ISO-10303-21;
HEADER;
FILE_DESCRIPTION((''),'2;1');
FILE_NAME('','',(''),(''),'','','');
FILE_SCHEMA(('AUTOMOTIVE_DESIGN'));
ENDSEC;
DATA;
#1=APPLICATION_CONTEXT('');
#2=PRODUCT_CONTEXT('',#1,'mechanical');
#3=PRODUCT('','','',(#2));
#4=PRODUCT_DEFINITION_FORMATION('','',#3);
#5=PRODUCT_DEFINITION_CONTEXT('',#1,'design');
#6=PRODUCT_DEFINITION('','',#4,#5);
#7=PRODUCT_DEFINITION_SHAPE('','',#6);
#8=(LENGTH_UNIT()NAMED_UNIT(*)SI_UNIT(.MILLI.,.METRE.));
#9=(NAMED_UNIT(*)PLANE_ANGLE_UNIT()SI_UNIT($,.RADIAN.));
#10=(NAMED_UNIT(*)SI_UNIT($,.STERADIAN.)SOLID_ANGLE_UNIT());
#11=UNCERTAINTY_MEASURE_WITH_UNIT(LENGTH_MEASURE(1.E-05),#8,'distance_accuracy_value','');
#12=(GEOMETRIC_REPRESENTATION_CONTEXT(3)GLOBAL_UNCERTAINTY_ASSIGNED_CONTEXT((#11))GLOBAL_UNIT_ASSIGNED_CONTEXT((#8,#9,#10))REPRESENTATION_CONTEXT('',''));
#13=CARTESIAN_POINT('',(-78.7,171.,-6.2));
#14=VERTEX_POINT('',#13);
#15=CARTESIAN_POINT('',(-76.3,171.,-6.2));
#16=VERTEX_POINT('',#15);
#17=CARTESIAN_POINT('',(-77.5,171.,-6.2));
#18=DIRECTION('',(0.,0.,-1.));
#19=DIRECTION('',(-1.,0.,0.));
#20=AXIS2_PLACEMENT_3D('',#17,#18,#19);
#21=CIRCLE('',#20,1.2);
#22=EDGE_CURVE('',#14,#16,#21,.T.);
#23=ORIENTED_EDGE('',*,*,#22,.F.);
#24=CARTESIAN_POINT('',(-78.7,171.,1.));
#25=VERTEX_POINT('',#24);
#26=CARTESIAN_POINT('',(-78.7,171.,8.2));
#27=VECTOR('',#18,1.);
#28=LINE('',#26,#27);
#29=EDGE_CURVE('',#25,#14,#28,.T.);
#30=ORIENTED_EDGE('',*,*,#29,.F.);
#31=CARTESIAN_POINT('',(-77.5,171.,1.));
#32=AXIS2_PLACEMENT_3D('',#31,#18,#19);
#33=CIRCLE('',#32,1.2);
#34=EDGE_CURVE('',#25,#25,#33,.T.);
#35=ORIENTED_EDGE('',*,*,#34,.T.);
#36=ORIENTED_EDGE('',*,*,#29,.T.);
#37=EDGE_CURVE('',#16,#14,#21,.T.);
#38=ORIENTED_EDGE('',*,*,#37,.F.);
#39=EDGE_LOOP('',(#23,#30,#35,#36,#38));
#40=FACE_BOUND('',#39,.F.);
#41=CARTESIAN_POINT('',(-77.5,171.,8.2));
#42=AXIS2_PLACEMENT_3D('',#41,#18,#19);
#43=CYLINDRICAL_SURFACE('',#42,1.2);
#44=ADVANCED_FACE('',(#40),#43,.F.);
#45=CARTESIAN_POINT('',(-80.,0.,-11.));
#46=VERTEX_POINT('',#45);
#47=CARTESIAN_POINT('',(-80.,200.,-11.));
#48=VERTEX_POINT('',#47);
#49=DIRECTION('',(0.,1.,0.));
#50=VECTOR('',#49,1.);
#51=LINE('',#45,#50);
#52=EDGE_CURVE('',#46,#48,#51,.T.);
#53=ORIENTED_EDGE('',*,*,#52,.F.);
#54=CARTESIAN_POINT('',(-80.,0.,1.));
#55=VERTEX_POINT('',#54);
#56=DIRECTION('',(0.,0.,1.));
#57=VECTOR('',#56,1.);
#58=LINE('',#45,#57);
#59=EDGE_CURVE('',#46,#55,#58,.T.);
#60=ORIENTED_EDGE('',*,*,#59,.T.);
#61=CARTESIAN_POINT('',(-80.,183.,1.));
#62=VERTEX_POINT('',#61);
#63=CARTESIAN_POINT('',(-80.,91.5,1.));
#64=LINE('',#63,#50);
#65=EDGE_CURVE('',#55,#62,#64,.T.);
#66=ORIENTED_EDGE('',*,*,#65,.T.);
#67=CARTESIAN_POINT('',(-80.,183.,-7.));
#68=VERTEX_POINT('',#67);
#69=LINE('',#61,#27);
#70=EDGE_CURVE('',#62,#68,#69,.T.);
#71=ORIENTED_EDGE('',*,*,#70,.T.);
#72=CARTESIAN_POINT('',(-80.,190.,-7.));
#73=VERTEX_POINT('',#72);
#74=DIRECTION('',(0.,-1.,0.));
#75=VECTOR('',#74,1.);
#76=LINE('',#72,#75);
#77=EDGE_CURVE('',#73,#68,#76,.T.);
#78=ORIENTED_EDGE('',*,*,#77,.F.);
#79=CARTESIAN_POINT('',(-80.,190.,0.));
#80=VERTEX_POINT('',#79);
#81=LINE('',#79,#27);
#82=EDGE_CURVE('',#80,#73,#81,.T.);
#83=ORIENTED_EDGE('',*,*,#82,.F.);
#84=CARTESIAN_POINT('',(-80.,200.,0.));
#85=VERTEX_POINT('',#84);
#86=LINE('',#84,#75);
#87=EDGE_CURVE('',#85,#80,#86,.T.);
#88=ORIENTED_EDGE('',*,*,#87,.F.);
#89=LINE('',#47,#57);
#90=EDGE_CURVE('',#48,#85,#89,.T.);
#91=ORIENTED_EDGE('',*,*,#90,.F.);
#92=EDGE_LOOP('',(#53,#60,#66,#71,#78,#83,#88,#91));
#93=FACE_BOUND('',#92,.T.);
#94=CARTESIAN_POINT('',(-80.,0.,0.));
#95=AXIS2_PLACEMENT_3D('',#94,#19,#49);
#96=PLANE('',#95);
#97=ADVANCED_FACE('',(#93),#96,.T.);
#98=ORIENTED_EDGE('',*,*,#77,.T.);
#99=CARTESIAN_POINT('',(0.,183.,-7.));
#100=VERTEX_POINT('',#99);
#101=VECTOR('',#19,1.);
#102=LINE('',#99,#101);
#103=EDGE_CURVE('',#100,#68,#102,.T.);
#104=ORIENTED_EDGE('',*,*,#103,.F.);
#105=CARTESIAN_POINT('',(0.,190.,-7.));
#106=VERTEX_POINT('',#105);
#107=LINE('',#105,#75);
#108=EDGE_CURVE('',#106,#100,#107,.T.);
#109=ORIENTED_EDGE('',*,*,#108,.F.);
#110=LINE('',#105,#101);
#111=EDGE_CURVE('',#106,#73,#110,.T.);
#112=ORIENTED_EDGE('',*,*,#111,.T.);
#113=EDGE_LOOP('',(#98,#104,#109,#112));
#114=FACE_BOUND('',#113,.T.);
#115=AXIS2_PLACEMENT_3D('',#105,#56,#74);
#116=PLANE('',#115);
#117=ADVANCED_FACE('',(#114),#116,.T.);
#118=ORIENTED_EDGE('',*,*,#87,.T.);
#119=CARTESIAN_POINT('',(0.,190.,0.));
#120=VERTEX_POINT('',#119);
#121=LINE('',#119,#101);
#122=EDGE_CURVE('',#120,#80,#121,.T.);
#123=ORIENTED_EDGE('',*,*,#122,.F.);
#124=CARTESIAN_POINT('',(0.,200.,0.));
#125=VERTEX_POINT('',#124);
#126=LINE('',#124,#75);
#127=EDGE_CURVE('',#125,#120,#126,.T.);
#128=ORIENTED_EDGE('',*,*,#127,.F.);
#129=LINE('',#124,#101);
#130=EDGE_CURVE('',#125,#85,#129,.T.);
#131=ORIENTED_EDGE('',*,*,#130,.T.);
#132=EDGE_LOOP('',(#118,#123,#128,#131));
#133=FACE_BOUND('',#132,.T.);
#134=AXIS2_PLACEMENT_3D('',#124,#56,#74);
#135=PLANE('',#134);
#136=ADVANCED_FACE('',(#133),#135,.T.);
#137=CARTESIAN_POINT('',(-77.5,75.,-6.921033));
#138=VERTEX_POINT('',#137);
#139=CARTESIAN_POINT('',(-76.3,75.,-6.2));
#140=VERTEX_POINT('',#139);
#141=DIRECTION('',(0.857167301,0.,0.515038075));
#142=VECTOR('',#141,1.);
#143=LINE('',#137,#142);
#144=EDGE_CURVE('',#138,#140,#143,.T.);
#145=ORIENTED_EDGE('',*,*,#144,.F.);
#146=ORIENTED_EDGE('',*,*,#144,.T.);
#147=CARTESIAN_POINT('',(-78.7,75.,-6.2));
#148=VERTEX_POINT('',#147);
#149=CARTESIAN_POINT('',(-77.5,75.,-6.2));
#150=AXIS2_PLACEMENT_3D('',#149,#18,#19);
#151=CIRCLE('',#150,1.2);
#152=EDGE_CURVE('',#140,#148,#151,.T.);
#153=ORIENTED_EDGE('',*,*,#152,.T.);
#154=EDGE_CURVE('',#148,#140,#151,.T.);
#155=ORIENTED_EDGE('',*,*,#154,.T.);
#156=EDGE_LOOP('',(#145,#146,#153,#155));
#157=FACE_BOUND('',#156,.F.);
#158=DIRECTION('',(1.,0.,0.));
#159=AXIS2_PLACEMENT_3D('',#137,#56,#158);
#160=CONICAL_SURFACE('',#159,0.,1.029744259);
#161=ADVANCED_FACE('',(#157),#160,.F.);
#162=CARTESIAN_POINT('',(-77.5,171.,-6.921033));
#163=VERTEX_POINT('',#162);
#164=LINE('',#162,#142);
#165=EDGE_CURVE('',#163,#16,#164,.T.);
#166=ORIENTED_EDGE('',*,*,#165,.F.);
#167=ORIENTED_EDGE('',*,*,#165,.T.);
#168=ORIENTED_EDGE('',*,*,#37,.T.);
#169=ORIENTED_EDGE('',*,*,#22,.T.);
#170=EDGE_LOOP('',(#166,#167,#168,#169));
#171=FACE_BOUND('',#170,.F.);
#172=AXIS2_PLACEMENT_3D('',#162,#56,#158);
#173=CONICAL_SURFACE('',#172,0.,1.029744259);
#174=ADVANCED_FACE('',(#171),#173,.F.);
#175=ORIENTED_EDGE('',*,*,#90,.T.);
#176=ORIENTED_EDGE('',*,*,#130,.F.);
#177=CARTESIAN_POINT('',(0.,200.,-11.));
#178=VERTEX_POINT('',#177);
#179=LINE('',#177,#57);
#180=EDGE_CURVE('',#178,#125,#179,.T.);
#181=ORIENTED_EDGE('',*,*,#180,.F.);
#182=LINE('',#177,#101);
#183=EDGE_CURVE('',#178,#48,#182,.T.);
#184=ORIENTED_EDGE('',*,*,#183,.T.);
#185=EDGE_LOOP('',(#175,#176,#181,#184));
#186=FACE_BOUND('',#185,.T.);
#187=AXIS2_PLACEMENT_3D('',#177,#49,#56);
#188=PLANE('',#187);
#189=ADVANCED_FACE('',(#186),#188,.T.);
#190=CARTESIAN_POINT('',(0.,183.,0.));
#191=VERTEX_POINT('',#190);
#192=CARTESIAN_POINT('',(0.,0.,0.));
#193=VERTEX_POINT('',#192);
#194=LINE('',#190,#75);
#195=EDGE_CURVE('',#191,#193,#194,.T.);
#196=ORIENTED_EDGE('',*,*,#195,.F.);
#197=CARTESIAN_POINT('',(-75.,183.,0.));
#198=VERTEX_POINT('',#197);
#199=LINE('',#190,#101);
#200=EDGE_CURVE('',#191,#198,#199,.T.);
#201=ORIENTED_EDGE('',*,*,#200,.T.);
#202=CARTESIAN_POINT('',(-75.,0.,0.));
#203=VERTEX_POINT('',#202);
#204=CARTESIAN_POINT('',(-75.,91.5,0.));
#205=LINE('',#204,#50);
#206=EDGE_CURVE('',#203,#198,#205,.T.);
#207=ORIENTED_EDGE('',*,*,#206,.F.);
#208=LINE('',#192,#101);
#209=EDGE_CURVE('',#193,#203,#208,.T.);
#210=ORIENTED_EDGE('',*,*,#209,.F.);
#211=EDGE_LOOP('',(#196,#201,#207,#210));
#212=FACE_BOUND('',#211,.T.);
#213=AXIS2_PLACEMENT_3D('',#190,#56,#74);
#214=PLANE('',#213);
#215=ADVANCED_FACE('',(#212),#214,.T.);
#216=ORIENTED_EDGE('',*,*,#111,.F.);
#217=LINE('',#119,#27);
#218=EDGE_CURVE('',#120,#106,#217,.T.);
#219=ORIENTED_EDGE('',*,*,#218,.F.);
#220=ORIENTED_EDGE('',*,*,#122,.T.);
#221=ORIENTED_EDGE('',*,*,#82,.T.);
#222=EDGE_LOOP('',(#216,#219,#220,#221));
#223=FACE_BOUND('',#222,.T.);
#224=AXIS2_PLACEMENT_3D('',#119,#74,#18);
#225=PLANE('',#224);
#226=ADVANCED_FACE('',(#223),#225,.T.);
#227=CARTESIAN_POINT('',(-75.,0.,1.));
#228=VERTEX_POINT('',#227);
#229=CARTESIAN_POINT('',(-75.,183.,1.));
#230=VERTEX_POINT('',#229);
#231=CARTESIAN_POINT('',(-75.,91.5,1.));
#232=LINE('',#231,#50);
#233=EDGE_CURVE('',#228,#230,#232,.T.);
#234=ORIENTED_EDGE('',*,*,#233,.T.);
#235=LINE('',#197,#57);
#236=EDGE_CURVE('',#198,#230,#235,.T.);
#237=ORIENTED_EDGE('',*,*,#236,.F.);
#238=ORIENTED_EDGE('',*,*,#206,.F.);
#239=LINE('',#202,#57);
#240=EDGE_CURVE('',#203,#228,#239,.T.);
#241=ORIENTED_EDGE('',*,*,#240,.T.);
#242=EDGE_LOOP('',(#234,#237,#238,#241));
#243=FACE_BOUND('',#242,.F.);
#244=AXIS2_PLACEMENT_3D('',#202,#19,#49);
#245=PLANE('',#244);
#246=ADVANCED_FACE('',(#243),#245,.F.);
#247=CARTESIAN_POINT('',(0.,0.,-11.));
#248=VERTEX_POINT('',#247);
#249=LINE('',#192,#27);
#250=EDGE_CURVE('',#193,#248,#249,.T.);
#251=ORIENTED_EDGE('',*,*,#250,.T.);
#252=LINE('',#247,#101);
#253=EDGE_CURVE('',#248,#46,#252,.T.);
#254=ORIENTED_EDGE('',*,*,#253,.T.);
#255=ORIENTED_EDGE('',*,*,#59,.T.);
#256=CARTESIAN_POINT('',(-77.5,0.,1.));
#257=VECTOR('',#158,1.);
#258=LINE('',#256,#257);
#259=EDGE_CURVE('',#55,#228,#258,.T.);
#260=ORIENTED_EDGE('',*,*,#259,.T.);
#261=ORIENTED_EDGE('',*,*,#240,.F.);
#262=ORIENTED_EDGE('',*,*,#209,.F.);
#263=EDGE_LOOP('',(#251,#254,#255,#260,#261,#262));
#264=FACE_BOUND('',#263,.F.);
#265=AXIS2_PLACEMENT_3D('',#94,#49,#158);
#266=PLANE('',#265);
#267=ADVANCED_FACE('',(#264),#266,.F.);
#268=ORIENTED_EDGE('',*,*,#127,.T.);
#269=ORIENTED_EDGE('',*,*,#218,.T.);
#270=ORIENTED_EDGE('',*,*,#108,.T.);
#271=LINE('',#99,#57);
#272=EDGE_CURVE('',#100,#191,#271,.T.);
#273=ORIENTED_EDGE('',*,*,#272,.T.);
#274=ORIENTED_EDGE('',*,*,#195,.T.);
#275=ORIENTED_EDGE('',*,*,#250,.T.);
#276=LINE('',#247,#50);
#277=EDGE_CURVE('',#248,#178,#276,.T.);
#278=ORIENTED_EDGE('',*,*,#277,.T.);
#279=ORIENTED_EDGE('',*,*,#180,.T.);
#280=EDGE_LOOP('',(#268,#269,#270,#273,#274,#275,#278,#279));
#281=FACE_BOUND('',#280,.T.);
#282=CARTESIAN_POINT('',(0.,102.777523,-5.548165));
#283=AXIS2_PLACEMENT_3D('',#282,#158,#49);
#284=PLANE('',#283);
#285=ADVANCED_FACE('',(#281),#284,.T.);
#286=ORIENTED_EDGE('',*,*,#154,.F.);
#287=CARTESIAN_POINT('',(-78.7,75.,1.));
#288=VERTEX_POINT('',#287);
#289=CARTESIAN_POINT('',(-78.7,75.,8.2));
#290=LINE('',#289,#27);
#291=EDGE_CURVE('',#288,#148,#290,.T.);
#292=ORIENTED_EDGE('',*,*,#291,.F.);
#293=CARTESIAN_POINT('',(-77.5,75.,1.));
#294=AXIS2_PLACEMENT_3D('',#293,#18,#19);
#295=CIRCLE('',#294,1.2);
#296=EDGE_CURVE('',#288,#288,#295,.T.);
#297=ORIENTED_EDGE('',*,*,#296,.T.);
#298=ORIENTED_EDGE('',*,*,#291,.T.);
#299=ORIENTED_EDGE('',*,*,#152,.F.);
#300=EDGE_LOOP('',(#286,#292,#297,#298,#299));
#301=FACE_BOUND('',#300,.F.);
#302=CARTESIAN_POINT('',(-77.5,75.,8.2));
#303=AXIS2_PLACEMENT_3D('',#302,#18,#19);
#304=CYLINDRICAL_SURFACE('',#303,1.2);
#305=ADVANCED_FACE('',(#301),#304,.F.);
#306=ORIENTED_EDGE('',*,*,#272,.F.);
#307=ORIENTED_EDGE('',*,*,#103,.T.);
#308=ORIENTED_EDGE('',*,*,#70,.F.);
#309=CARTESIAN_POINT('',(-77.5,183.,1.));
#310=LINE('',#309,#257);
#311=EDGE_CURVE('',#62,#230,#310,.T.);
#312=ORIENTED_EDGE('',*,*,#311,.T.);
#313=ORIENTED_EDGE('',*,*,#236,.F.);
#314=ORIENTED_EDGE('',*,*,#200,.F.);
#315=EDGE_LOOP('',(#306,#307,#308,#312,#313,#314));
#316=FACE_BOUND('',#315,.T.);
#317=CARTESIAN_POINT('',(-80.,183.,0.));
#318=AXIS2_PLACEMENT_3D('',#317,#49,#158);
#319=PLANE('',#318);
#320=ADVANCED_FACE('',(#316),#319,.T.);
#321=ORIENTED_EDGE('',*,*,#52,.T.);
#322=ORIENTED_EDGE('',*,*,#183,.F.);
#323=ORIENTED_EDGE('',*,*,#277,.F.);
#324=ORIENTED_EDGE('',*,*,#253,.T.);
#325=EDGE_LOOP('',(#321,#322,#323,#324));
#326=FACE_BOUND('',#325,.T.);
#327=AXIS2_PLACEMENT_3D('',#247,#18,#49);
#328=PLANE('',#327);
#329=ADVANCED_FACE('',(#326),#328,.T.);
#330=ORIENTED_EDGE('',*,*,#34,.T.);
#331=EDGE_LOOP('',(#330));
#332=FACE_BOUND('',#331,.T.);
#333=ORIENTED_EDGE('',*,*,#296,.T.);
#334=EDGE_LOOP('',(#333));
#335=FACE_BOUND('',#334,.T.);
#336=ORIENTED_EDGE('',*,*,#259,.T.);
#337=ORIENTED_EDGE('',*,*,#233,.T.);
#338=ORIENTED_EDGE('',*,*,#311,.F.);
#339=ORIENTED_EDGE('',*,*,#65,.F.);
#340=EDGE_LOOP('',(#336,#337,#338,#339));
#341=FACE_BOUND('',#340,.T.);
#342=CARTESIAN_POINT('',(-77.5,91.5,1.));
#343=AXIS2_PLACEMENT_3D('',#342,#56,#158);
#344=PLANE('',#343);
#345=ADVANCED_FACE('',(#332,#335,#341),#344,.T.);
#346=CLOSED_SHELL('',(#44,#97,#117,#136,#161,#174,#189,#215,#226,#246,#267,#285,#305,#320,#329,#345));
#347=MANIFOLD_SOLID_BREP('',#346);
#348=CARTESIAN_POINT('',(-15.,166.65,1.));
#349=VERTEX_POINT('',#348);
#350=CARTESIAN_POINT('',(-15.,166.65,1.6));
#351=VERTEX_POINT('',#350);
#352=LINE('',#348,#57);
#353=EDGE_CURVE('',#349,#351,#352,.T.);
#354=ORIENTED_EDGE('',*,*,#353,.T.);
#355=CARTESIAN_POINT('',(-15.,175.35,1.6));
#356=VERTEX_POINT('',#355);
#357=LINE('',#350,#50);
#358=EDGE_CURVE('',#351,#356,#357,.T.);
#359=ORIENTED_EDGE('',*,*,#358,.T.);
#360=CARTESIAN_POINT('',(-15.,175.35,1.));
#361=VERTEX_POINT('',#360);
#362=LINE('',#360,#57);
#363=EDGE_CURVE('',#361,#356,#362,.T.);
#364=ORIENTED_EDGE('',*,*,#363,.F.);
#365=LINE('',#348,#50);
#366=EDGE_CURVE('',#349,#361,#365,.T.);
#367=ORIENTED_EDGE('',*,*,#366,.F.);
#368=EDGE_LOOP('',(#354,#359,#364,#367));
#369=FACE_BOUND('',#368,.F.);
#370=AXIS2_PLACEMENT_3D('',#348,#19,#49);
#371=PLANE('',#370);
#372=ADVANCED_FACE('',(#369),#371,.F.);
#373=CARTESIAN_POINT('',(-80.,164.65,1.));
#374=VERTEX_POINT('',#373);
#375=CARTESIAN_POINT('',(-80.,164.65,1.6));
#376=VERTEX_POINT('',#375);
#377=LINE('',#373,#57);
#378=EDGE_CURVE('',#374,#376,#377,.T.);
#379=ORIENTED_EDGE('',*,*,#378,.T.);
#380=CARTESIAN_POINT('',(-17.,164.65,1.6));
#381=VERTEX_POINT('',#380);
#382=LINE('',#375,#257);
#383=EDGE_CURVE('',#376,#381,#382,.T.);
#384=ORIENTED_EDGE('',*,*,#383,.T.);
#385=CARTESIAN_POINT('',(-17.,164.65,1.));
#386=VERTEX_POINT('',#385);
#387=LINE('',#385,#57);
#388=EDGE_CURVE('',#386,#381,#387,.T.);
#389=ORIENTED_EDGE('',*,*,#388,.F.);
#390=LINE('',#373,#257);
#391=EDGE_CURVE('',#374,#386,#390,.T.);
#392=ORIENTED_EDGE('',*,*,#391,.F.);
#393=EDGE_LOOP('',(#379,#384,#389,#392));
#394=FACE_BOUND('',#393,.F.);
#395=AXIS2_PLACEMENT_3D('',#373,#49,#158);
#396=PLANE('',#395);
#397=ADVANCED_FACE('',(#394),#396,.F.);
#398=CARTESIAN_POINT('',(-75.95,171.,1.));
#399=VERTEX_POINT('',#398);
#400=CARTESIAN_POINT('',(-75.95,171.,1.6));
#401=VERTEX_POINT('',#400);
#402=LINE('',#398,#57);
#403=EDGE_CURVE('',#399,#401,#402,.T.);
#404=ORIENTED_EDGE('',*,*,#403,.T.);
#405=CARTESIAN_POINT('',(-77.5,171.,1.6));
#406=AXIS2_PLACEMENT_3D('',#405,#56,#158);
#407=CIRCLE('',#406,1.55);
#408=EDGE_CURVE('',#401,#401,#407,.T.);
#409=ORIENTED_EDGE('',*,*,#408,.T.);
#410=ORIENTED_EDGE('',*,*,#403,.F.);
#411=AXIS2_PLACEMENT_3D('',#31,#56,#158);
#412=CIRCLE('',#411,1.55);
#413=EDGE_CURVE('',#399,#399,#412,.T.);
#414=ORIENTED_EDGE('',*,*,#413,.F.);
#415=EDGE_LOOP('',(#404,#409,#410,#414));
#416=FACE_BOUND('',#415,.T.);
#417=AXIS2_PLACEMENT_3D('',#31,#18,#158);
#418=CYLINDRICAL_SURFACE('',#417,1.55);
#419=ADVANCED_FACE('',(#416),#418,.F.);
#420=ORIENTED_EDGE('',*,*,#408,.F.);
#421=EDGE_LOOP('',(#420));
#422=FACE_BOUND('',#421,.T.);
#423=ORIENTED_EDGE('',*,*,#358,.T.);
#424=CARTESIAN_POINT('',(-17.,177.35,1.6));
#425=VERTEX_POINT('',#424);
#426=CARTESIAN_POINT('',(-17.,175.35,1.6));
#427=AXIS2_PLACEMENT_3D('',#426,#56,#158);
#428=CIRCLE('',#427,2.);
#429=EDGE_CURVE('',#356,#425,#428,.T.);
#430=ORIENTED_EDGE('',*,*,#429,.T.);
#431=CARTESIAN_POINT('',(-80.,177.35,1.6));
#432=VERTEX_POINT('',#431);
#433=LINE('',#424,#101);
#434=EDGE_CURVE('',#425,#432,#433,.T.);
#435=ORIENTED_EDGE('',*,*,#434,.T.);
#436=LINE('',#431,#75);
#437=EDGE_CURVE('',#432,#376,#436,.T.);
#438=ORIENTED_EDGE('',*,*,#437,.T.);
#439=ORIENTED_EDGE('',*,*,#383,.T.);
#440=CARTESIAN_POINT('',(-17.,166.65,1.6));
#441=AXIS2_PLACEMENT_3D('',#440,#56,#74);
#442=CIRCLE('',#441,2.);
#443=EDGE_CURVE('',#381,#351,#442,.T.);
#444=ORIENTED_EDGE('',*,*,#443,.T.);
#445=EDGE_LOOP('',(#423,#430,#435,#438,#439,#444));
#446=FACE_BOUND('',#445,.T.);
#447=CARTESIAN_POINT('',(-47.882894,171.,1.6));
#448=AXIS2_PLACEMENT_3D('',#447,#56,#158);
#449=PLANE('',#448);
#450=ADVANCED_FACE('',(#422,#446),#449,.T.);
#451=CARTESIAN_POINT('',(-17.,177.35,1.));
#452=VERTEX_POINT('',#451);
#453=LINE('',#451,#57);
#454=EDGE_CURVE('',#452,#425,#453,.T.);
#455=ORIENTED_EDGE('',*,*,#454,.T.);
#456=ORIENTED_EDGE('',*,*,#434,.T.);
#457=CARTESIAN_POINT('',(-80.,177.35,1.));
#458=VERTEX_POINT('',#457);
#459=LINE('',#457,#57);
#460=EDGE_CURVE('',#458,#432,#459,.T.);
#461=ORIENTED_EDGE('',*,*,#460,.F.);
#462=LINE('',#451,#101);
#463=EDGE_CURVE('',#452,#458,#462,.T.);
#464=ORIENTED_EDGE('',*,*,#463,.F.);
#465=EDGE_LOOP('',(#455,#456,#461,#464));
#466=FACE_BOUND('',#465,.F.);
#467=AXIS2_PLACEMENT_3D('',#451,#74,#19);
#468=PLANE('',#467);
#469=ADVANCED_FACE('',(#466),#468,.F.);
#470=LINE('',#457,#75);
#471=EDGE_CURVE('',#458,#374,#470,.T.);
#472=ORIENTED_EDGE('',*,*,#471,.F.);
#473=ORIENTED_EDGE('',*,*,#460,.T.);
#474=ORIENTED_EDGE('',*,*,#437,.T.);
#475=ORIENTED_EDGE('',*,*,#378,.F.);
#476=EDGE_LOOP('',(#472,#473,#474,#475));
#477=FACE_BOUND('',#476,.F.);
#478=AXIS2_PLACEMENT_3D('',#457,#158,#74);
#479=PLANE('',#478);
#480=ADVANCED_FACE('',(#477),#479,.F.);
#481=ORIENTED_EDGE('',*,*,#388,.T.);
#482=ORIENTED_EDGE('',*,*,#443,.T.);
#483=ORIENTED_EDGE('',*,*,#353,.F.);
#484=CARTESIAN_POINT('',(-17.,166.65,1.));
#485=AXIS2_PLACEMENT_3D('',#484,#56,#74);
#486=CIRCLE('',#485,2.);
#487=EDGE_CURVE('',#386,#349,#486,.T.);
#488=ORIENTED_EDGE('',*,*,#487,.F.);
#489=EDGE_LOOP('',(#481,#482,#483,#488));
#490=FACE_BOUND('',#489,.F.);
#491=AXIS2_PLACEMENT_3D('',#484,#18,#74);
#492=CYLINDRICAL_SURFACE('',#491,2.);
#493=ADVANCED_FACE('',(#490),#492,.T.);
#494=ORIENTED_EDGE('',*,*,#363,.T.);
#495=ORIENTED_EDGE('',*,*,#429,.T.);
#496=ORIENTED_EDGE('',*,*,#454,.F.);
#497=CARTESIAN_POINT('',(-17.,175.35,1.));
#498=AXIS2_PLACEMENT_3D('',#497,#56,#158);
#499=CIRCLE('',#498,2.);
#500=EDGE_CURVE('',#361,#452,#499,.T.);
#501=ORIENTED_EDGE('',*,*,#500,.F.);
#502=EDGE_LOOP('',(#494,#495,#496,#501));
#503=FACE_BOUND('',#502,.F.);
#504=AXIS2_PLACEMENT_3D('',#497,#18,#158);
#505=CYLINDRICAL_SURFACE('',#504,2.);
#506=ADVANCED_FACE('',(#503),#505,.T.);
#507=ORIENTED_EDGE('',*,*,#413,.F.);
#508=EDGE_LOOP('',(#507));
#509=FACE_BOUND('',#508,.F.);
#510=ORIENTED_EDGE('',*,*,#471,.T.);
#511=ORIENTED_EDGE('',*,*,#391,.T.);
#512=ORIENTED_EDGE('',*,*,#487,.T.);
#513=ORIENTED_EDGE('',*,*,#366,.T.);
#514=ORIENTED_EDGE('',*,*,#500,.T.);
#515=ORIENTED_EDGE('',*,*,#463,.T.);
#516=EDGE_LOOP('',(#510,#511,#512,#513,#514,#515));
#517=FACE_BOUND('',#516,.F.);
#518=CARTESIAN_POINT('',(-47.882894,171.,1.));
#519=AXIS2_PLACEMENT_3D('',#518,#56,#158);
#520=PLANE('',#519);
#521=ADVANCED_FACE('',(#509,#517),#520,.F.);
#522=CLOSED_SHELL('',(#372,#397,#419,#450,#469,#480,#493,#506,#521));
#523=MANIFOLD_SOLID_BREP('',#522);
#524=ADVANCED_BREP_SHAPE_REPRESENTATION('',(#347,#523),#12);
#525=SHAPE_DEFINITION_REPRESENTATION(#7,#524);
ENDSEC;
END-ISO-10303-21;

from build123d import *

# Parameters (mm, degrees)
F1_DEPTH = 80
F2_W     = 5
F2_H     = 183
F3_DEPTH = 1
F5_D     = 2.4
F5_DEPTH = 7.2
F5_TIP   = 0.7210327428
F6_R     = 1.55
F7_DEPTH = 0.6


with BuildPart() as f1:
    # F0 (on Right) → F1 (new body)
    with BuildSketch(Plane.YZ):
        Polygon((183, 0), (0, 0), (0, -11), (200, -11), (200, 0), (190, 0), (190, -7), (183, -7), align=None)
    extrude(amount=-F1_DEPTH)

    # F2 (on face) → F3 (join)
    with BuildSketch(Plane.XY):
        with Locations((-77.5, 91.5)):
            Rectangle(F2_W, F2_H)
    extrude(amount=F3_DEPTH)

    # F5
    with Locations(Plane.XY.offset(1)):
        with Locations((-77.5, 171), (-77.5, 75)):
            Hole(F5_D / 2, depth=F5_DEPTH)
            with Locations((0, 0, -(F5_DEPTH + F5_TIP / 2))):  # 118° drill point
                Cone(0, F5_D / 2, F5_TIP, mode=Mode.SUBTRACT)


with BuildPart() as f7:
    # F6 (on face) → F7 (new body)
    with BuildSketch(Plane.XY.offset(1)):
        with BuildLine():
            Line((-17, 177.35), (-80, 177.35))
            Line((-80, 177.35), (-80, 164.65))
            Line((-80, 164.65), (-17, 164.65))
            ThreePointArc((-17, 164.65), (-15.5857864376, 165.2357864376), (-15, 166.65))
            Line((-15, 166.65), (-15, 175.35))
            ThreePointArc((-15, 175.35), (-15.5857864376, 176.7642135624), (-17, 177.35))
        make_face()
        with Locations((-77.5, 171)):
            Circle(F6_R, mode=Mode.SUBTRACT)
    extrude(amount=F7_DEPTH)


solid = Compound([f1.part, f7.part])
